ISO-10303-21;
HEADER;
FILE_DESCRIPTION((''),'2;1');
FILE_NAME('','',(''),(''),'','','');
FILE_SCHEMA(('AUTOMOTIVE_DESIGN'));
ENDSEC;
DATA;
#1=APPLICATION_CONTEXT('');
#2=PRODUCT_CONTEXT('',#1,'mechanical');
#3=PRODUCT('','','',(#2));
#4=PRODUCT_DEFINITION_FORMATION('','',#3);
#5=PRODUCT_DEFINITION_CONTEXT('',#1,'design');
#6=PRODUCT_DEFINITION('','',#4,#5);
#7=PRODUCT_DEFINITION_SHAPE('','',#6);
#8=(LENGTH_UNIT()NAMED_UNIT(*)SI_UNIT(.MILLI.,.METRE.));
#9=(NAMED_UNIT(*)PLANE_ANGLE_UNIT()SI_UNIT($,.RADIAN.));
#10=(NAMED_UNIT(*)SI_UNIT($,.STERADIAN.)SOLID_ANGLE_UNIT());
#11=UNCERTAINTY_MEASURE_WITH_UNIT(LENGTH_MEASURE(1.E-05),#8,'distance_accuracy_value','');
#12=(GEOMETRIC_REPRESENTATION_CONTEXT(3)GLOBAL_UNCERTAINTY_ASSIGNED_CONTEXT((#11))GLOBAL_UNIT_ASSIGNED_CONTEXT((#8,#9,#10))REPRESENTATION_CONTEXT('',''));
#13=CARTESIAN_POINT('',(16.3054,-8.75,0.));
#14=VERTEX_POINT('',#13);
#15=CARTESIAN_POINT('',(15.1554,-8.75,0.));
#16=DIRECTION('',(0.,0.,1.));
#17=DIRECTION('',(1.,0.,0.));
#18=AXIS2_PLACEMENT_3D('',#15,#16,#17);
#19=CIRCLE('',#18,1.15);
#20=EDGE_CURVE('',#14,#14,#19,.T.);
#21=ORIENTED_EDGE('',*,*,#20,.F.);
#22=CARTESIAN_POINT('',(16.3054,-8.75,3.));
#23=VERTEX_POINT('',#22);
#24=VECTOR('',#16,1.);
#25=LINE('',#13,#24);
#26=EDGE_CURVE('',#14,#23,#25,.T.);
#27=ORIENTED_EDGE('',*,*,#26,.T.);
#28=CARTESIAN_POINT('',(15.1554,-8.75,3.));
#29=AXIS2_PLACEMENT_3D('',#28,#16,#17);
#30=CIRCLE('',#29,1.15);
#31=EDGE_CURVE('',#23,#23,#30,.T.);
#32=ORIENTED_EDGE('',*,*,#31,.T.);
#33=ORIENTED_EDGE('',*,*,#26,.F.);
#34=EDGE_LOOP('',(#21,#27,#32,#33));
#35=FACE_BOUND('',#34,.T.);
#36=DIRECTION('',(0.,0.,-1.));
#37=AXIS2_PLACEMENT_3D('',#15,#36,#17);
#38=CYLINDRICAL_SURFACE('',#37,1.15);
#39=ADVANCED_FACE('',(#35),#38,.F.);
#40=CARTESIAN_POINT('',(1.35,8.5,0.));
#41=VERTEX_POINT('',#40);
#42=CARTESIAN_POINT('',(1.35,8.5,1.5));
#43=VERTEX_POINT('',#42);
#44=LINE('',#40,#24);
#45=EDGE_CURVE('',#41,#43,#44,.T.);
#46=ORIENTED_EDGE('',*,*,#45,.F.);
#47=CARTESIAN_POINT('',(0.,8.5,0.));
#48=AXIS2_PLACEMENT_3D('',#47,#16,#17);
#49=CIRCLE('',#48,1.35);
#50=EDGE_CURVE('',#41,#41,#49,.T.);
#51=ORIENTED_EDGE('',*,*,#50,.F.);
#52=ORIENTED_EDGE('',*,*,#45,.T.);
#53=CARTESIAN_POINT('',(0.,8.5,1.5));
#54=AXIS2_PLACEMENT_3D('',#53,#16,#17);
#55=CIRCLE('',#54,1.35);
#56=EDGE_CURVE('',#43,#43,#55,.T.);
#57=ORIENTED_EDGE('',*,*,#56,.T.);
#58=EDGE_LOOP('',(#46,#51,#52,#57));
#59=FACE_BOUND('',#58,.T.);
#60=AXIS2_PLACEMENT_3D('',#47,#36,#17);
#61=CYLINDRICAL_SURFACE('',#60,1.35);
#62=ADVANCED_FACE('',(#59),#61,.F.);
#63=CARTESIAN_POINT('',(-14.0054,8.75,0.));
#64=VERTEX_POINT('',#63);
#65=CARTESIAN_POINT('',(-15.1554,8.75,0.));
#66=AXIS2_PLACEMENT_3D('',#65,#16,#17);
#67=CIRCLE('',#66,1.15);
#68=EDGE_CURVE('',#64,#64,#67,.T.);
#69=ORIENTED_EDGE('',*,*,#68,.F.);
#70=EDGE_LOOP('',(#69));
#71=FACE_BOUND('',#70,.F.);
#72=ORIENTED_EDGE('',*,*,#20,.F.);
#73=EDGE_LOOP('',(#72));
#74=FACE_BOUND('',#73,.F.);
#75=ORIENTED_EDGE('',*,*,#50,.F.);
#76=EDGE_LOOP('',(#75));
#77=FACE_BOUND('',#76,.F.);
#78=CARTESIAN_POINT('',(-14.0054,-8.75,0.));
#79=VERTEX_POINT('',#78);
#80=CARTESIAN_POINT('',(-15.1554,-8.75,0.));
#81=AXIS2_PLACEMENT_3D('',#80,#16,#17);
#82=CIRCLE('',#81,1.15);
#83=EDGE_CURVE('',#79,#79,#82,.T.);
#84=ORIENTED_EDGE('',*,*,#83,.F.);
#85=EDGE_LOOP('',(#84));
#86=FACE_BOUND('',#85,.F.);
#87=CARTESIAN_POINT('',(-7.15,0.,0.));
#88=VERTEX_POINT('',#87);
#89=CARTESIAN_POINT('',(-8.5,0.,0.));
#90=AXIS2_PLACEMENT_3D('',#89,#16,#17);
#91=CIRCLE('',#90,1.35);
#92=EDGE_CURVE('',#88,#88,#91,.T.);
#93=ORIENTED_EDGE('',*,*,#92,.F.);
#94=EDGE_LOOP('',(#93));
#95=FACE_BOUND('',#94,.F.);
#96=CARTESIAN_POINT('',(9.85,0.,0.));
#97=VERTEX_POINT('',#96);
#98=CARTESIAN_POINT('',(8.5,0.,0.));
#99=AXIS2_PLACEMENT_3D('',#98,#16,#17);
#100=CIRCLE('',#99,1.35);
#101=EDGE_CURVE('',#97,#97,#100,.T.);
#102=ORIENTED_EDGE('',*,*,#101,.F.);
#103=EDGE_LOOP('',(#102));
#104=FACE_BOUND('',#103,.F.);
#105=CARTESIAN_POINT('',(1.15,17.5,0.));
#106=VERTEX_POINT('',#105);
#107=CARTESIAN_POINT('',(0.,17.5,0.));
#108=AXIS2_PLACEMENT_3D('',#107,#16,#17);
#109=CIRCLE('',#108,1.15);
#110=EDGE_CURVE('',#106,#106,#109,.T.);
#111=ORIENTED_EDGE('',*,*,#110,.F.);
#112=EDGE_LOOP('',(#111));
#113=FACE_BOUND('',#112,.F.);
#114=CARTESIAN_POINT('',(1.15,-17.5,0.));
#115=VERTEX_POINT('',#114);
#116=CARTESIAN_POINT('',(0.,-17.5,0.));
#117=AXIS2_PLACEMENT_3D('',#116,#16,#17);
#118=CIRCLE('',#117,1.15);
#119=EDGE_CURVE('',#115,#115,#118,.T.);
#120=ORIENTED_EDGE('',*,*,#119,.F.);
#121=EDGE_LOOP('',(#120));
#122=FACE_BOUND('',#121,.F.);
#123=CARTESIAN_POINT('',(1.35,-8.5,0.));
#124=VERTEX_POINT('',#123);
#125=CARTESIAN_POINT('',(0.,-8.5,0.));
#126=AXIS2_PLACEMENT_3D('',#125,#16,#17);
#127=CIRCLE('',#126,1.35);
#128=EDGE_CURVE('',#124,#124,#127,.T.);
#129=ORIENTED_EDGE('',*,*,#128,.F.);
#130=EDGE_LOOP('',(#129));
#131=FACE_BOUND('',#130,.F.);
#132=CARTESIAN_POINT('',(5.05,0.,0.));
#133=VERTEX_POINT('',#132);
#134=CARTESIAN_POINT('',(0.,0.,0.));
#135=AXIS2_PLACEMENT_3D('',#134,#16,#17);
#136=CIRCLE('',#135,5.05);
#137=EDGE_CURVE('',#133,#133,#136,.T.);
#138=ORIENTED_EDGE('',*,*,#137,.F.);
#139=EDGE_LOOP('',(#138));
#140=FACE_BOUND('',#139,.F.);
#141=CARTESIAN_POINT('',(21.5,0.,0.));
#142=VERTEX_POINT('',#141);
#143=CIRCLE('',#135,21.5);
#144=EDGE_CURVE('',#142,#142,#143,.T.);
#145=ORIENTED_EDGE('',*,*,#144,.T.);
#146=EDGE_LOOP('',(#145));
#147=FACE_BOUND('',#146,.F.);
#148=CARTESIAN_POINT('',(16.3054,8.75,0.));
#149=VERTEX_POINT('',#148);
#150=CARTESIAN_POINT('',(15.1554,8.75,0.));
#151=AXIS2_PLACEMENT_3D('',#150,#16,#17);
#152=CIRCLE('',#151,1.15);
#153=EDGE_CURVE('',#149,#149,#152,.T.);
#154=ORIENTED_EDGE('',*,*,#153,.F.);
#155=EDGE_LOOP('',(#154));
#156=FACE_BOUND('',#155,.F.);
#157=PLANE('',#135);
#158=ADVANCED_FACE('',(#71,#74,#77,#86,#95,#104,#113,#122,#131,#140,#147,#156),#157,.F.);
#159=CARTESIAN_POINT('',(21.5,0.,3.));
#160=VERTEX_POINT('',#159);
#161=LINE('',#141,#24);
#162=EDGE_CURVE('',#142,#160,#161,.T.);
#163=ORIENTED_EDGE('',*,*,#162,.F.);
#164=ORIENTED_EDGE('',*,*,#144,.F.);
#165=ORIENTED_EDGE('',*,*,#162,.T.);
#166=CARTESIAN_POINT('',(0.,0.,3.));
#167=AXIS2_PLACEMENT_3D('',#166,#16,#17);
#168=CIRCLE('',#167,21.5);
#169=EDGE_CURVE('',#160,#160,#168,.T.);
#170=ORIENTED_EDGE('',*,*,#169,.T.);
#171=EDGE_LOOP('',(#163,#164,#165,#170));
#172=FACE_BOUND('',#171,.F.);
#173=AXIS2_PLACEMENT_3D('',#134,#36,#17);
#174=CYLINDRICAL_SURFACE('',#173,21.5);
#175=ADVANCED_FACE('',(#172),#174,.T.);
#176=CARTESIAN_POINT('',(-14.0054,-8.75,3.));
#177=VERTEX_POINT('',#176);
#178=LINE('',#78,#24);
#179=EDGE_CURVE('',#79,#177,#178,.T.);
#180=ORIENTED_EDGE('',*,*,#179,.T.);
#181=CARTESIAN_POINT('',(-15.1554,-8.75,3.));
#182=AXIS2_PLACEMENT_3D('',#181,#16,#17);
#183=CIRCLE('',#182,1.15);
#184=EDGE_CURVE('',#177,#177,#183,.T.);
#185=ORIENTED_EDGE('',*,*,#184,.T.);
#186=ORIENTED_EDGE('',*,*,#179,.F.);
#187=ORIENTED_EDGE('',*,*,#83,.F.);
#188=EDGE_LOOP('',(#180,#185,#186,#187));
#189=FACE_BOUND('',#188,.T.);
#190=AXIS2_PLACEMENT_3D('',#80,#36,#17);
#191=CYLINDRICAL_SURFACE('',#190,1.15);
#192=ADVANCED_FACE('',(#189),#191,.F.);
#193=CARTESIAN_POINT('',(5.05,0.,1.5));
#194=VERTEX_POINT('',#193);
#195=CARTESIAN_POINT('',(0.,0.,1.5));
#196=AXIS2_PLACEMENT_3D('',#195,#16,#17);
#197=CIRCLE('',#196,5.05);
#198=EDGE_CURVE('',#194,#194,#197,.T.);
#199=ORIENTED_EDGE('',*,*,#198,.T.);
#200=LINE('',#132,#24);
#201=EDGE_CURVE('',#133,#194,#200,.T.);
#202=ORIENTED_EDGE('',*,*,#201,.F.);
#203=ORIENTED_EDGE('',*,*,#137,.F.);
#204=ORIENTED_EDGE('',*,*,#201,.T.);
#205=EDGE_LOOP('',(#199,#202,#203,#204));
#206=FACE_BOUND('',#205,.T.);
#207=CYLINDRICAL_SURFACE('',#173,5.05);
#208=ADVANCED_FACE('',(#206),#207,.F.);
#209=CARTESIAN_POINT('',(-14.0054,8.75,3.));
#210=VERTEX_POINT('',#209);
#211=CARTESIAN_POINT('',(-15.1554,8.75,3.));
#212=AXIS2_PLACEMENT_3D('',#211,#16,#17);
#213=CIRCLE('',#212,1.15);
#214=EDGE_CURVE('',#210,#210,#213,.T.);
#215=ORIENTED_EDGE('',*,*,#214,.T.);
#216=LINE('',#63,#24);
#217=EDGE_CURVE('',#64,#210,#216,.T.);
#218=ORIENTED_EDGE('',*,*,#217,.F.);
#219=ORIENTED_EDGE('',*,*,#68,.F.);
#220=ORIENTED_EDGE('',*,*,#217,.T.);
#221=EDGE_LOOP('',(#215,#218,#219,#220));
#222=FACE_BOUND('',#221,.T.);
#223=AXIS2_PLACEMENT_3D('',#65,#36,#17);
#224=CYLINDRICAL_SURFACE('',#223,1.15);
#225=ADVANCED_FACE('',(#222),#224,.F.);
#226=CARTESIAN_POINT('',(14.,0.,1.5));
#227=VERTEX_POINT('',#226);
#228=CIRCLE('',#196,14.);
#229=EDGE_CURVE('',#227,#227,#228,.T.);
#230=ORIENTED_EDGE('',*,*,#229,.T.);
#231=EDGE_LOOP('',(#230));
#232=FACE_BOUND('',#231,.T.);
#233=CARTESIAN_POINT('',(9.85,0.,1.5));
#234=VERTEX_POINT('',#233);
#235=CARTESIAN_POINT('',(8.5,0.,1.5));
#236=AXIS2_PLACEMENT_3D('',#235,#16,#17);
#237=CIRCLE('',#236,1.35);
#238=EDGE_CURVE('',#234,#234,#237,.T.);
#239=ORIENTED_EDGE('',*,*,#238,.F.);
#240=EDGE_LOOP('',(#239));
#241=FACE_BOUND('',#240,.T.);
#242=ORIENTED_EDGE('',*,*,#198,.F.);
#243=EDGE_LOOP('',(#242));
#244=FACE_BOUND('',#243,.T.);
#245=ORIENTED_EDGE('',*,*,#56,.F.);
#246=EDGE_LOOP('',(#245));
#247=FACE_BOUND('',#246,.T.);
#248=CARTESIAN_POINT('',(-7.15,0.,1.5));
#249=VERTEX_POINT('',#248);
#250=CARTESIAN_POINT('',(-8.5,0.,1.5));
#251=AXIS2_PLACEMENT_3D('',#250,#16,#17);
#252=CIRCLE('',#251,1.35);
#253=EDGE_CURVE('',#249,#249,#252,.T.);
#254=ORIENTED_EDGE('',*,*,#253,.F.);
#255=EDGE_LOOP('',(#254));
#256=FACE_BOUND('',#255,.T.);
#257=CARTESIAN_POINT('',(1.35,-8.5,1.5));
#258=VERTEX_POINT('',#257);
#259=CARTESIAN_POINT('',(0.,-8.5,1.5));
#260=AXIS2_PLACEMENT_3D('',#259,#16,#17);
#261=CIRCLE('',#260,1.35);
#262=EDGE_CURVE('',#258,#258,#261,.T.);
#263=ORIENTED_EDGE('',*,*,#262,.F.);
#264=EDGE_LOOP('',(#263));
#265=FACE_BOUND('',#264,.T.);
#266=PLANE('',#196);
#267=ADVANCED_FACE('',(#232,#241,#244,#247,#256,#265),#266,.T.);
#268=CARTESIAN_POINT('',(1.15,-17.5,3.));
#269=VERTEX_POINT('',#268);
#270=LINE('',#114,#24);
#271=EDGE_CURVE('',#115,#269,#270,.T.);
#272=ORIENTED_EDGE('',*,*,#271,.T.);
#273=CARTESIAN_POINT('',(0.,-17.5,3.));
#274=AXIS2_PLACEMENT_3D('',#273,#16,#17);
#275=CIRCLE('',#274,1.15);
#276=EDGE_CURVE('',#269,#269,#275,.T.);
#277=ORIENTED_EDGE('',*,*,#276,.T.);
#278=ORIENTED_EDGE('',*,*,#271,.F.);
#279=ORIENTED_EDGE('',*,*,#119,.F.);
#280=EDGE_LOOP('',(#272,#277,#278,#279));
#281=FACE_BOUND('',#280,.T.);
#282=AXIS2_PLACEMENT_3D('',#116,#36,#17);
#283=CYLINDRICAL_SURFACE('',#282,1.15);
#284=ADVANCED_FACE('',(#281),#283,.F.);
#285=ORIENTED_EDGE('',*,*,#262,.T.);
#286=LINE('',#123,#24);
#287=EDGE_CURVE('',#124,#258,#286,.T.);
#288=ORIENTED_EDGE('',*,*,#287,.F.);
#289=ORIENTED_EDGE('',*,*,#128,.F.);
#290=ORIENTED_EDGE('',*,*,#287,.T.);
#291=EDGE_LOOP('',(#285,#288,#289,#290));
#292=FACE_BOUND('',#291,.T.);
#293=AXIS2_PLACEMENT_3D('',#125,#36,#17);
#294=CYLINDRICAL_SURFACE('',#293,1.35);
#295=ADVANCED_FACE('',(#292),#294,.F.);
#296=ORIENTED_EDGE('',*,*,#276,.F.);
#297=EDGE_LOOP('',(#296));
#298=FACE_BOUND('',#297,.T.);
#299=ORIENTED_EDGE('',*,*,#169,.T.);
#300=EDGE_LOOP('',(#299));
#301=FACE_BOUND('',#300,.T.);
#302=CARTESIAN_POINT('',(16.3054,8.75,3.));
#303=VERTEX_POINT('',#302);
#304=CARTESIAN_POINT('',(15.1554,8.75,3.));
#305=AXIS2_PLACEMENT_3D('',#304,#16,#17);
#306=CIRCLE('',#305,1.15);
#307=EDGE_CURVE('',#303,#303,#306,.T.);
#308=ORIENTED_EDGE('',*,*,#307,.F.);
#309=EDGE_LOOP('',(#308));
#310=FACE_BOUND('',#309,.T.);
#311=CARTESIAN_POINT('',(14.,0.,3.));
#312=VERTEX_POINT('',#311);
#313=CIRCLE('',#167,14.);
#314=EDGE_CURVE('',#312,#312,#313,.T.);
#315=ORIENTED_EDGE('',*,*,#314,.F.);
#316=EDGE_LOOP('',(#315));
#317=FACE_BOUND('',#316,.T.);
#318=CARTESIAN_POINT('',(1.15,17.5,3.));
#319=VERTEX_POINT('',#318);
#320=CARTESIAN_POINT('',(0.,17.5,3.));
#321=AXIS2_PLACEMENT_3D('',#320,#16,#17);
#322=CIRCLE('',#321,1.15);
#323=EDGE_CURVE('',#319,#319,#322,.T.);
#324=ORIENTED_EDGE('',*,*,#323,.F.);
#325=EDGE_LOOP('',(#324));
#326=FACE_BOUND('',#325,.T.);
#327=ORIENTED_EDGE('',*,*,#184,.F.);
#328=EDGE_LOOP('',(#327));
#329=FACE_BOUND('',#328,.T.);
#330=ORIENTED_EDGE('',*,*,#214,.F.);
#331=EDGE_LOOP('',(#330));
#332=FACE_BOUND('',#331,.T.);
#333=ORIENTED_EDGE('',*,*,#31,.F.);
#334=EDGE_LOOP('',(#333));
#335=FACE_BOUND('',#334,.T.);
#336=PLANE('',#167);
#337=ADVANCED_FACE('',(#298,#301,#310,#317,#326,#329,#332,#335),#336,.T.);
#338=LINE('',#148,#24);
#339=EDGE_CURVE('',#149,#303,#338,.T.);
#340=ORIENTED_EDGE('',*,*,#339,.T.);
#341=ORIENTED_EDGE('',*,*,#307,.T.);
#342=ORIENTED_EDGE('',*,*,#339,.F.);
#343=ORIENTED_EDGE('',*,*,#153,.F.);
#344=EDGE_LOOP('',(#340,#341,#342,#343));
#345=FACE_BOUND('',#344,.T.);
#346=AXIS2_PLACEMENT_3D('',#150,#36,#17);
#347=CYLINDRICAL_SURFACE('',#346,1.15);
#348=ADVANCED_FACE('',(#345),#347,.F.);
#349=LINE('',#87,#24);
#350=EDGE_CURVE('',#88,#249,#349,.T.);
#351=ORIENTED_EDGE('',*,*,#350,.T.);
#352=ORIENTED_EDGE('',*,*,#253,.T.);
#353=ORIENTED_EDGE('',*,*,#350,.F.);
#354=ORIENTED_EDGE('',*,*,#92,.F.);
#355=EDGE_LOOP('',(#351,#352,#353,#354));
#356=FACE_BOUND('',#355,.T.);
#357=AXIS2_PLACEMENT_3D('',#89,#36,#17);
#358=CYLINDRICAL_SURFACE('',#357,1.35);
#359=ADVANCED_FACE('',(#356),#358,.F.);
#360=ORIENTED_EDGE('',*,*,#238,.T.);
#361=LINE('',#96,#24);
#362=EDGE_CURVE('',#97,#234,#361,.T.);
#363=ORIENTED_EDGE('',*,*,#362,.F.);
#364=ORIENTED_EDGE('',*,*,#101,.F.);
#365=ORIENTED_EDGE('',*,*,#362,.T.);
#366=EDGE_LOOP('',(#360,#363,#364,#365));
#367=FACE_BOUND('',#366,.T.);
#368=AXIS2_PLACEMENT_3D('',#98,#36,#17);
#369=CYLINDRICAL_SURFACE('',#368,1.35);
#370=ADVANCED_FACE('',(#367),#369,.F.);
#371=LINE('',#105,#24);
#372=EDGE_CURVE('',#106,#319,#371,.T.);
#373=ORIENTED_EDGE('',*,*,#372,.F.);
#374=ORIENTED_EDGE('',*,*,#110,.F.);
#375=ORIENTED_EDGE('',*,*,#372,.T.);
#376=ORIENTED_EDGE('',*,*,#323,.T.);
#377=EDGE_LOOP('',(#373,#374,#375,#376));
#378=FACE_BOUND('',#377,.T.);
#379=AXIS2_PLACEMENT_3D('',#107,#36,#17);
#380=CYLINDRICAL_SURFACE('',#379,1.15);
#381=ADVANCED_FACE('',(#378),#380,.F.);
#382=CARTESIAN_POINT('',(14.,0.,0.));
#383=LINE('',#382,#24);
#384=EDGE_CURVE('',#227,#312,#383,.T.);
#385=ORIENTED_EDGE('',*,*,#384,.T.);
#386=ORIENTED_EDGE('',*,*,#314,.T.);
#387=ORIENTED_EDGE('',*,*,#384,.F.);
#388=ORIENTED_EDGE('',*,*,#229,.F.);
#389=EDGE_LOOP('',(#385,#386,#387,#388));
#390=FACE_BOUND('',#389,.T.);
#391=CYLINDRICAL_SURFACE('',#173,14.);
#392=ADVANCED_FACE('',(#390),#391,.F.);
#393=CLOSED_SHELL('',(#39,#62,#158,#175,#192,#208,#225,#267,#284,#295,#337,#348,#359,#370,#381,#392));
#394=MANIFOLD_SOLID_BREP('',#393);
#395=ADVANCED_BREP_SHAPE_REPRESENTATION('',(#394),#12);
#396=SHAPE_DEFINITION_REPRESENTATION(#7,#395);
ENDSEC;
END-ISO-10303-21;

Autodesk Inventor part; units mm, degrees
ref_plane "YZ Plane" through (0, 0, 0) normal (1, 0, 0) x (0, 1, 0)
ref_plane "XZ Plane" through (0, 0, 0) normal (0, 1, 0) x (-1, 0, 0)
ref_plane "XY Plane" through (0, 0, 0) normal (0, 0, 1) x (1, 0, 0)
sketch "スケッチ1" plane through (0, 0, 0) normal (0, 0, 1) x (1, 0, 0)
  circle A0 centre (0, 0) radius 21.5
  circle A1 centre (0, 0) radius 14
  line L0 (0, 21.5) -> (0, -21.5) construction
  circle A2 centre (0, 17.5) radius 1.15
  circle A3 centre (-15.1554, 8.75) radius 1.15
  circle A4 centre (-15.1554, -8.75) radius 1.15
  circle A5 centre (0, -17.5) radius 1.15
  circle A6 centre (15.1554, -8.75) radius 1.15
  circle A7 centre (15.1554, 8.75) radius 1.15
  circle A8 centre (0, 8.5) radius 1.35
  circle A9 centre (-8.5, 0) radius 1.35
  circle A10 centre (0, -8.5) radius 1.35
  circle A11 centre (8.5, 0) radius 1.35
  circle A12 centre (0, 0) radius 5.05
  dimension "d0" = 43
  dimension "d1" = 28
  dimension "d2" = 2.3
  dimension "d3" = 17.5
  dimension "d6" = 360
  dimension "d8" = 2.7
  dimension "d9" = 8.5
  dimension "d12" = 360
  dimension "d16" = 10.1
extrude "押し出し1" add sketch "スケッチ1" along normal blind 3 contours A0
extrude "押し出し2" add sketch "スケッチ1" along normal blind 1.5 contours A1
properties part number "Leg_joint_cross_bearing_frame" material "アルミニウム 2014-T4"
